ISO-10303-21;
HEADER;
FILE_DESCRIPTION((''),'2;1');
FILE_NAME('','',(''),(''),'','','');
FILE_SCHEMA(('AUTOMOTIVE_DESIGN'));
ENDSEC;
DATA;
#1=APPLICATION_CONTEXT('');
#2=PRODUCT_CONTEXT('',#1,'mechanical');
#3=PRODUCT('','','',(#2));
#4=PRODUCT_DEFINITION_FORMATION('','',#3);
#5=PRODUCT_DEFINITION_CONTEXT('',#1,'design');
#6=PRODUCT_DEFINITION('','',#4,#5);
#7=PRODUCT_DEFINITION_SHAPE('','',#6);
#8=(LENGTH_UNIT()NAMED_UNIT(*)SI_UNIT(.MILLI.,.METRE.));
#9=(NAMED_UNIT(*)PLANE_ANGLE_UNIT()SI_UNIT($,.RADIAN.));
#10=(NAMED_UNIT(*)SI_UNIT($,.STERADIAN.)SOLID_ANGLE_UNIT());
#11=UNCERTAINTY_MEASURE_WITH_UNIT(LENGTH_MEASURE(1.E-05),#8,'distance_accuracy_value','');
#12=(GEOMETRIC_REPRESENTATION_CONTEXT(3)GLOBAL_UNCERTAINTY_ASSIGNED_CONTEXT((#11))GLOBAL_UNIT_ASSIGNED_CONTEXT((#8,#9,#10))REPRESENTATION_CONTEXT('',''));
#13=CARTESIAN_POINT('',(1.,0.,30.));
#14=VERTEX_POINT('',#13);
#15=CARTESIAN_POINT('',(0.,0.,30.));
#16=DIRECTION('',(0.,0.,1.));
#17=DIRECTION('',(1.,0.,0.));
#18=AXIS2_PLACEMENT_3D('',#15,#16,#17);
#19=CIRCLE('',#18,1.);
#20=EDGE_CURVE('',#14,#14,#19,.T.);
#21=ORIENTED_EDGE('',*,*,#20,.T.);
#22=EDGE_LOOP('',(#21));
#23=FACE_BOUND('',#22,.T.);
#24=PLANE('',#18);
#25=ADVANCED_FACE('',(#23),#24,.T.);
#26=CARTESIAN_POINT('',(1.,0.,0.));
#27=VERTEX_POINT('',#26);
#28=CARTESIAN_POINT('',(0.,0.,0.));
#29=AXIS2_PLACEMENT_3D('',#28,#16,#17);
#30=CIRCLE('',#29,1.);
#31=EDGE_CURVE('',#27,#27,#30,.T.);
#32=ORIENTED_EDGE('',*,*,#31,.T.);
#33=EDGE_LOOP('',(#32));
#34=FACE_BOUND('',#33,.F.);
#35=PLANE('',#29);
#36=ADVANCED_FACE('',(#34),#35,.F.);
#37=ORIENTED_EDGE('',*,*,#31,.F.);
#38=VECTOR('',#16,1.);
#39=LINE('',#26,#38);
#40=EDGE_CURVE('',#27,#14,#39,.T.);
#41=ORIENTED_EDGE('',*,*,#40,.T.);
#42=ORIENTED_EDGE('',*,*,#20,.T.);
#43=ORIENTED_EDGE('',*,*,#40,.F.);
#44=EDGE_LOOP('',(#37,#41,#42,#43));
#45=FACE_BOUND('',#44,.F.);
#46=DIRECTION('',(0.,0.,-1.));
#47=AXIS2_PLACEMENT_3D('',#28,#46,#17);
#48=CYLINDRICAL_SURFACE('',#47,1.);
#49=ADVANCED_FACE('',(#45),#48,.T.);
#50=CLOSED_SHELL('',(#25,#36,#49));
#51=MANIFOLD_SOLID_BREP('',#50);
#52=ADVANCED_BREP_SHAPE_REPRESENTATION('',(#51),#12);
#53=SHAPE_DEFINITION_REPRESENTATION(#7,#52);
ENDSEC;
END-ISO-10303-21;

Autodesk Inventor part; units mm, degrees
ref_plane "YZ Plane" through (0, 0, 0) normal (1, 0, 0) x (0, 1, 0)
ref_plane "XZ Plane" through (0, 0, 0) normal (0, 1, 0) x (-1, 0, 0)
ref_plane "XY Plane" through (0, 0, 0) normal (0, 0, 1) x (1, 0, 0)
sketch "Sketch2" plane through (0, 0, 0) normal (0, 0, 1) x (1, 0, 0)
  circle A0 centre (0, 0) radius 1
  dimension "d0" = 2
extrude "Extrusion1" add sketch "Sketch2" along normal blind 30
properties part number "PropShaft" material "Stainless Steel"
